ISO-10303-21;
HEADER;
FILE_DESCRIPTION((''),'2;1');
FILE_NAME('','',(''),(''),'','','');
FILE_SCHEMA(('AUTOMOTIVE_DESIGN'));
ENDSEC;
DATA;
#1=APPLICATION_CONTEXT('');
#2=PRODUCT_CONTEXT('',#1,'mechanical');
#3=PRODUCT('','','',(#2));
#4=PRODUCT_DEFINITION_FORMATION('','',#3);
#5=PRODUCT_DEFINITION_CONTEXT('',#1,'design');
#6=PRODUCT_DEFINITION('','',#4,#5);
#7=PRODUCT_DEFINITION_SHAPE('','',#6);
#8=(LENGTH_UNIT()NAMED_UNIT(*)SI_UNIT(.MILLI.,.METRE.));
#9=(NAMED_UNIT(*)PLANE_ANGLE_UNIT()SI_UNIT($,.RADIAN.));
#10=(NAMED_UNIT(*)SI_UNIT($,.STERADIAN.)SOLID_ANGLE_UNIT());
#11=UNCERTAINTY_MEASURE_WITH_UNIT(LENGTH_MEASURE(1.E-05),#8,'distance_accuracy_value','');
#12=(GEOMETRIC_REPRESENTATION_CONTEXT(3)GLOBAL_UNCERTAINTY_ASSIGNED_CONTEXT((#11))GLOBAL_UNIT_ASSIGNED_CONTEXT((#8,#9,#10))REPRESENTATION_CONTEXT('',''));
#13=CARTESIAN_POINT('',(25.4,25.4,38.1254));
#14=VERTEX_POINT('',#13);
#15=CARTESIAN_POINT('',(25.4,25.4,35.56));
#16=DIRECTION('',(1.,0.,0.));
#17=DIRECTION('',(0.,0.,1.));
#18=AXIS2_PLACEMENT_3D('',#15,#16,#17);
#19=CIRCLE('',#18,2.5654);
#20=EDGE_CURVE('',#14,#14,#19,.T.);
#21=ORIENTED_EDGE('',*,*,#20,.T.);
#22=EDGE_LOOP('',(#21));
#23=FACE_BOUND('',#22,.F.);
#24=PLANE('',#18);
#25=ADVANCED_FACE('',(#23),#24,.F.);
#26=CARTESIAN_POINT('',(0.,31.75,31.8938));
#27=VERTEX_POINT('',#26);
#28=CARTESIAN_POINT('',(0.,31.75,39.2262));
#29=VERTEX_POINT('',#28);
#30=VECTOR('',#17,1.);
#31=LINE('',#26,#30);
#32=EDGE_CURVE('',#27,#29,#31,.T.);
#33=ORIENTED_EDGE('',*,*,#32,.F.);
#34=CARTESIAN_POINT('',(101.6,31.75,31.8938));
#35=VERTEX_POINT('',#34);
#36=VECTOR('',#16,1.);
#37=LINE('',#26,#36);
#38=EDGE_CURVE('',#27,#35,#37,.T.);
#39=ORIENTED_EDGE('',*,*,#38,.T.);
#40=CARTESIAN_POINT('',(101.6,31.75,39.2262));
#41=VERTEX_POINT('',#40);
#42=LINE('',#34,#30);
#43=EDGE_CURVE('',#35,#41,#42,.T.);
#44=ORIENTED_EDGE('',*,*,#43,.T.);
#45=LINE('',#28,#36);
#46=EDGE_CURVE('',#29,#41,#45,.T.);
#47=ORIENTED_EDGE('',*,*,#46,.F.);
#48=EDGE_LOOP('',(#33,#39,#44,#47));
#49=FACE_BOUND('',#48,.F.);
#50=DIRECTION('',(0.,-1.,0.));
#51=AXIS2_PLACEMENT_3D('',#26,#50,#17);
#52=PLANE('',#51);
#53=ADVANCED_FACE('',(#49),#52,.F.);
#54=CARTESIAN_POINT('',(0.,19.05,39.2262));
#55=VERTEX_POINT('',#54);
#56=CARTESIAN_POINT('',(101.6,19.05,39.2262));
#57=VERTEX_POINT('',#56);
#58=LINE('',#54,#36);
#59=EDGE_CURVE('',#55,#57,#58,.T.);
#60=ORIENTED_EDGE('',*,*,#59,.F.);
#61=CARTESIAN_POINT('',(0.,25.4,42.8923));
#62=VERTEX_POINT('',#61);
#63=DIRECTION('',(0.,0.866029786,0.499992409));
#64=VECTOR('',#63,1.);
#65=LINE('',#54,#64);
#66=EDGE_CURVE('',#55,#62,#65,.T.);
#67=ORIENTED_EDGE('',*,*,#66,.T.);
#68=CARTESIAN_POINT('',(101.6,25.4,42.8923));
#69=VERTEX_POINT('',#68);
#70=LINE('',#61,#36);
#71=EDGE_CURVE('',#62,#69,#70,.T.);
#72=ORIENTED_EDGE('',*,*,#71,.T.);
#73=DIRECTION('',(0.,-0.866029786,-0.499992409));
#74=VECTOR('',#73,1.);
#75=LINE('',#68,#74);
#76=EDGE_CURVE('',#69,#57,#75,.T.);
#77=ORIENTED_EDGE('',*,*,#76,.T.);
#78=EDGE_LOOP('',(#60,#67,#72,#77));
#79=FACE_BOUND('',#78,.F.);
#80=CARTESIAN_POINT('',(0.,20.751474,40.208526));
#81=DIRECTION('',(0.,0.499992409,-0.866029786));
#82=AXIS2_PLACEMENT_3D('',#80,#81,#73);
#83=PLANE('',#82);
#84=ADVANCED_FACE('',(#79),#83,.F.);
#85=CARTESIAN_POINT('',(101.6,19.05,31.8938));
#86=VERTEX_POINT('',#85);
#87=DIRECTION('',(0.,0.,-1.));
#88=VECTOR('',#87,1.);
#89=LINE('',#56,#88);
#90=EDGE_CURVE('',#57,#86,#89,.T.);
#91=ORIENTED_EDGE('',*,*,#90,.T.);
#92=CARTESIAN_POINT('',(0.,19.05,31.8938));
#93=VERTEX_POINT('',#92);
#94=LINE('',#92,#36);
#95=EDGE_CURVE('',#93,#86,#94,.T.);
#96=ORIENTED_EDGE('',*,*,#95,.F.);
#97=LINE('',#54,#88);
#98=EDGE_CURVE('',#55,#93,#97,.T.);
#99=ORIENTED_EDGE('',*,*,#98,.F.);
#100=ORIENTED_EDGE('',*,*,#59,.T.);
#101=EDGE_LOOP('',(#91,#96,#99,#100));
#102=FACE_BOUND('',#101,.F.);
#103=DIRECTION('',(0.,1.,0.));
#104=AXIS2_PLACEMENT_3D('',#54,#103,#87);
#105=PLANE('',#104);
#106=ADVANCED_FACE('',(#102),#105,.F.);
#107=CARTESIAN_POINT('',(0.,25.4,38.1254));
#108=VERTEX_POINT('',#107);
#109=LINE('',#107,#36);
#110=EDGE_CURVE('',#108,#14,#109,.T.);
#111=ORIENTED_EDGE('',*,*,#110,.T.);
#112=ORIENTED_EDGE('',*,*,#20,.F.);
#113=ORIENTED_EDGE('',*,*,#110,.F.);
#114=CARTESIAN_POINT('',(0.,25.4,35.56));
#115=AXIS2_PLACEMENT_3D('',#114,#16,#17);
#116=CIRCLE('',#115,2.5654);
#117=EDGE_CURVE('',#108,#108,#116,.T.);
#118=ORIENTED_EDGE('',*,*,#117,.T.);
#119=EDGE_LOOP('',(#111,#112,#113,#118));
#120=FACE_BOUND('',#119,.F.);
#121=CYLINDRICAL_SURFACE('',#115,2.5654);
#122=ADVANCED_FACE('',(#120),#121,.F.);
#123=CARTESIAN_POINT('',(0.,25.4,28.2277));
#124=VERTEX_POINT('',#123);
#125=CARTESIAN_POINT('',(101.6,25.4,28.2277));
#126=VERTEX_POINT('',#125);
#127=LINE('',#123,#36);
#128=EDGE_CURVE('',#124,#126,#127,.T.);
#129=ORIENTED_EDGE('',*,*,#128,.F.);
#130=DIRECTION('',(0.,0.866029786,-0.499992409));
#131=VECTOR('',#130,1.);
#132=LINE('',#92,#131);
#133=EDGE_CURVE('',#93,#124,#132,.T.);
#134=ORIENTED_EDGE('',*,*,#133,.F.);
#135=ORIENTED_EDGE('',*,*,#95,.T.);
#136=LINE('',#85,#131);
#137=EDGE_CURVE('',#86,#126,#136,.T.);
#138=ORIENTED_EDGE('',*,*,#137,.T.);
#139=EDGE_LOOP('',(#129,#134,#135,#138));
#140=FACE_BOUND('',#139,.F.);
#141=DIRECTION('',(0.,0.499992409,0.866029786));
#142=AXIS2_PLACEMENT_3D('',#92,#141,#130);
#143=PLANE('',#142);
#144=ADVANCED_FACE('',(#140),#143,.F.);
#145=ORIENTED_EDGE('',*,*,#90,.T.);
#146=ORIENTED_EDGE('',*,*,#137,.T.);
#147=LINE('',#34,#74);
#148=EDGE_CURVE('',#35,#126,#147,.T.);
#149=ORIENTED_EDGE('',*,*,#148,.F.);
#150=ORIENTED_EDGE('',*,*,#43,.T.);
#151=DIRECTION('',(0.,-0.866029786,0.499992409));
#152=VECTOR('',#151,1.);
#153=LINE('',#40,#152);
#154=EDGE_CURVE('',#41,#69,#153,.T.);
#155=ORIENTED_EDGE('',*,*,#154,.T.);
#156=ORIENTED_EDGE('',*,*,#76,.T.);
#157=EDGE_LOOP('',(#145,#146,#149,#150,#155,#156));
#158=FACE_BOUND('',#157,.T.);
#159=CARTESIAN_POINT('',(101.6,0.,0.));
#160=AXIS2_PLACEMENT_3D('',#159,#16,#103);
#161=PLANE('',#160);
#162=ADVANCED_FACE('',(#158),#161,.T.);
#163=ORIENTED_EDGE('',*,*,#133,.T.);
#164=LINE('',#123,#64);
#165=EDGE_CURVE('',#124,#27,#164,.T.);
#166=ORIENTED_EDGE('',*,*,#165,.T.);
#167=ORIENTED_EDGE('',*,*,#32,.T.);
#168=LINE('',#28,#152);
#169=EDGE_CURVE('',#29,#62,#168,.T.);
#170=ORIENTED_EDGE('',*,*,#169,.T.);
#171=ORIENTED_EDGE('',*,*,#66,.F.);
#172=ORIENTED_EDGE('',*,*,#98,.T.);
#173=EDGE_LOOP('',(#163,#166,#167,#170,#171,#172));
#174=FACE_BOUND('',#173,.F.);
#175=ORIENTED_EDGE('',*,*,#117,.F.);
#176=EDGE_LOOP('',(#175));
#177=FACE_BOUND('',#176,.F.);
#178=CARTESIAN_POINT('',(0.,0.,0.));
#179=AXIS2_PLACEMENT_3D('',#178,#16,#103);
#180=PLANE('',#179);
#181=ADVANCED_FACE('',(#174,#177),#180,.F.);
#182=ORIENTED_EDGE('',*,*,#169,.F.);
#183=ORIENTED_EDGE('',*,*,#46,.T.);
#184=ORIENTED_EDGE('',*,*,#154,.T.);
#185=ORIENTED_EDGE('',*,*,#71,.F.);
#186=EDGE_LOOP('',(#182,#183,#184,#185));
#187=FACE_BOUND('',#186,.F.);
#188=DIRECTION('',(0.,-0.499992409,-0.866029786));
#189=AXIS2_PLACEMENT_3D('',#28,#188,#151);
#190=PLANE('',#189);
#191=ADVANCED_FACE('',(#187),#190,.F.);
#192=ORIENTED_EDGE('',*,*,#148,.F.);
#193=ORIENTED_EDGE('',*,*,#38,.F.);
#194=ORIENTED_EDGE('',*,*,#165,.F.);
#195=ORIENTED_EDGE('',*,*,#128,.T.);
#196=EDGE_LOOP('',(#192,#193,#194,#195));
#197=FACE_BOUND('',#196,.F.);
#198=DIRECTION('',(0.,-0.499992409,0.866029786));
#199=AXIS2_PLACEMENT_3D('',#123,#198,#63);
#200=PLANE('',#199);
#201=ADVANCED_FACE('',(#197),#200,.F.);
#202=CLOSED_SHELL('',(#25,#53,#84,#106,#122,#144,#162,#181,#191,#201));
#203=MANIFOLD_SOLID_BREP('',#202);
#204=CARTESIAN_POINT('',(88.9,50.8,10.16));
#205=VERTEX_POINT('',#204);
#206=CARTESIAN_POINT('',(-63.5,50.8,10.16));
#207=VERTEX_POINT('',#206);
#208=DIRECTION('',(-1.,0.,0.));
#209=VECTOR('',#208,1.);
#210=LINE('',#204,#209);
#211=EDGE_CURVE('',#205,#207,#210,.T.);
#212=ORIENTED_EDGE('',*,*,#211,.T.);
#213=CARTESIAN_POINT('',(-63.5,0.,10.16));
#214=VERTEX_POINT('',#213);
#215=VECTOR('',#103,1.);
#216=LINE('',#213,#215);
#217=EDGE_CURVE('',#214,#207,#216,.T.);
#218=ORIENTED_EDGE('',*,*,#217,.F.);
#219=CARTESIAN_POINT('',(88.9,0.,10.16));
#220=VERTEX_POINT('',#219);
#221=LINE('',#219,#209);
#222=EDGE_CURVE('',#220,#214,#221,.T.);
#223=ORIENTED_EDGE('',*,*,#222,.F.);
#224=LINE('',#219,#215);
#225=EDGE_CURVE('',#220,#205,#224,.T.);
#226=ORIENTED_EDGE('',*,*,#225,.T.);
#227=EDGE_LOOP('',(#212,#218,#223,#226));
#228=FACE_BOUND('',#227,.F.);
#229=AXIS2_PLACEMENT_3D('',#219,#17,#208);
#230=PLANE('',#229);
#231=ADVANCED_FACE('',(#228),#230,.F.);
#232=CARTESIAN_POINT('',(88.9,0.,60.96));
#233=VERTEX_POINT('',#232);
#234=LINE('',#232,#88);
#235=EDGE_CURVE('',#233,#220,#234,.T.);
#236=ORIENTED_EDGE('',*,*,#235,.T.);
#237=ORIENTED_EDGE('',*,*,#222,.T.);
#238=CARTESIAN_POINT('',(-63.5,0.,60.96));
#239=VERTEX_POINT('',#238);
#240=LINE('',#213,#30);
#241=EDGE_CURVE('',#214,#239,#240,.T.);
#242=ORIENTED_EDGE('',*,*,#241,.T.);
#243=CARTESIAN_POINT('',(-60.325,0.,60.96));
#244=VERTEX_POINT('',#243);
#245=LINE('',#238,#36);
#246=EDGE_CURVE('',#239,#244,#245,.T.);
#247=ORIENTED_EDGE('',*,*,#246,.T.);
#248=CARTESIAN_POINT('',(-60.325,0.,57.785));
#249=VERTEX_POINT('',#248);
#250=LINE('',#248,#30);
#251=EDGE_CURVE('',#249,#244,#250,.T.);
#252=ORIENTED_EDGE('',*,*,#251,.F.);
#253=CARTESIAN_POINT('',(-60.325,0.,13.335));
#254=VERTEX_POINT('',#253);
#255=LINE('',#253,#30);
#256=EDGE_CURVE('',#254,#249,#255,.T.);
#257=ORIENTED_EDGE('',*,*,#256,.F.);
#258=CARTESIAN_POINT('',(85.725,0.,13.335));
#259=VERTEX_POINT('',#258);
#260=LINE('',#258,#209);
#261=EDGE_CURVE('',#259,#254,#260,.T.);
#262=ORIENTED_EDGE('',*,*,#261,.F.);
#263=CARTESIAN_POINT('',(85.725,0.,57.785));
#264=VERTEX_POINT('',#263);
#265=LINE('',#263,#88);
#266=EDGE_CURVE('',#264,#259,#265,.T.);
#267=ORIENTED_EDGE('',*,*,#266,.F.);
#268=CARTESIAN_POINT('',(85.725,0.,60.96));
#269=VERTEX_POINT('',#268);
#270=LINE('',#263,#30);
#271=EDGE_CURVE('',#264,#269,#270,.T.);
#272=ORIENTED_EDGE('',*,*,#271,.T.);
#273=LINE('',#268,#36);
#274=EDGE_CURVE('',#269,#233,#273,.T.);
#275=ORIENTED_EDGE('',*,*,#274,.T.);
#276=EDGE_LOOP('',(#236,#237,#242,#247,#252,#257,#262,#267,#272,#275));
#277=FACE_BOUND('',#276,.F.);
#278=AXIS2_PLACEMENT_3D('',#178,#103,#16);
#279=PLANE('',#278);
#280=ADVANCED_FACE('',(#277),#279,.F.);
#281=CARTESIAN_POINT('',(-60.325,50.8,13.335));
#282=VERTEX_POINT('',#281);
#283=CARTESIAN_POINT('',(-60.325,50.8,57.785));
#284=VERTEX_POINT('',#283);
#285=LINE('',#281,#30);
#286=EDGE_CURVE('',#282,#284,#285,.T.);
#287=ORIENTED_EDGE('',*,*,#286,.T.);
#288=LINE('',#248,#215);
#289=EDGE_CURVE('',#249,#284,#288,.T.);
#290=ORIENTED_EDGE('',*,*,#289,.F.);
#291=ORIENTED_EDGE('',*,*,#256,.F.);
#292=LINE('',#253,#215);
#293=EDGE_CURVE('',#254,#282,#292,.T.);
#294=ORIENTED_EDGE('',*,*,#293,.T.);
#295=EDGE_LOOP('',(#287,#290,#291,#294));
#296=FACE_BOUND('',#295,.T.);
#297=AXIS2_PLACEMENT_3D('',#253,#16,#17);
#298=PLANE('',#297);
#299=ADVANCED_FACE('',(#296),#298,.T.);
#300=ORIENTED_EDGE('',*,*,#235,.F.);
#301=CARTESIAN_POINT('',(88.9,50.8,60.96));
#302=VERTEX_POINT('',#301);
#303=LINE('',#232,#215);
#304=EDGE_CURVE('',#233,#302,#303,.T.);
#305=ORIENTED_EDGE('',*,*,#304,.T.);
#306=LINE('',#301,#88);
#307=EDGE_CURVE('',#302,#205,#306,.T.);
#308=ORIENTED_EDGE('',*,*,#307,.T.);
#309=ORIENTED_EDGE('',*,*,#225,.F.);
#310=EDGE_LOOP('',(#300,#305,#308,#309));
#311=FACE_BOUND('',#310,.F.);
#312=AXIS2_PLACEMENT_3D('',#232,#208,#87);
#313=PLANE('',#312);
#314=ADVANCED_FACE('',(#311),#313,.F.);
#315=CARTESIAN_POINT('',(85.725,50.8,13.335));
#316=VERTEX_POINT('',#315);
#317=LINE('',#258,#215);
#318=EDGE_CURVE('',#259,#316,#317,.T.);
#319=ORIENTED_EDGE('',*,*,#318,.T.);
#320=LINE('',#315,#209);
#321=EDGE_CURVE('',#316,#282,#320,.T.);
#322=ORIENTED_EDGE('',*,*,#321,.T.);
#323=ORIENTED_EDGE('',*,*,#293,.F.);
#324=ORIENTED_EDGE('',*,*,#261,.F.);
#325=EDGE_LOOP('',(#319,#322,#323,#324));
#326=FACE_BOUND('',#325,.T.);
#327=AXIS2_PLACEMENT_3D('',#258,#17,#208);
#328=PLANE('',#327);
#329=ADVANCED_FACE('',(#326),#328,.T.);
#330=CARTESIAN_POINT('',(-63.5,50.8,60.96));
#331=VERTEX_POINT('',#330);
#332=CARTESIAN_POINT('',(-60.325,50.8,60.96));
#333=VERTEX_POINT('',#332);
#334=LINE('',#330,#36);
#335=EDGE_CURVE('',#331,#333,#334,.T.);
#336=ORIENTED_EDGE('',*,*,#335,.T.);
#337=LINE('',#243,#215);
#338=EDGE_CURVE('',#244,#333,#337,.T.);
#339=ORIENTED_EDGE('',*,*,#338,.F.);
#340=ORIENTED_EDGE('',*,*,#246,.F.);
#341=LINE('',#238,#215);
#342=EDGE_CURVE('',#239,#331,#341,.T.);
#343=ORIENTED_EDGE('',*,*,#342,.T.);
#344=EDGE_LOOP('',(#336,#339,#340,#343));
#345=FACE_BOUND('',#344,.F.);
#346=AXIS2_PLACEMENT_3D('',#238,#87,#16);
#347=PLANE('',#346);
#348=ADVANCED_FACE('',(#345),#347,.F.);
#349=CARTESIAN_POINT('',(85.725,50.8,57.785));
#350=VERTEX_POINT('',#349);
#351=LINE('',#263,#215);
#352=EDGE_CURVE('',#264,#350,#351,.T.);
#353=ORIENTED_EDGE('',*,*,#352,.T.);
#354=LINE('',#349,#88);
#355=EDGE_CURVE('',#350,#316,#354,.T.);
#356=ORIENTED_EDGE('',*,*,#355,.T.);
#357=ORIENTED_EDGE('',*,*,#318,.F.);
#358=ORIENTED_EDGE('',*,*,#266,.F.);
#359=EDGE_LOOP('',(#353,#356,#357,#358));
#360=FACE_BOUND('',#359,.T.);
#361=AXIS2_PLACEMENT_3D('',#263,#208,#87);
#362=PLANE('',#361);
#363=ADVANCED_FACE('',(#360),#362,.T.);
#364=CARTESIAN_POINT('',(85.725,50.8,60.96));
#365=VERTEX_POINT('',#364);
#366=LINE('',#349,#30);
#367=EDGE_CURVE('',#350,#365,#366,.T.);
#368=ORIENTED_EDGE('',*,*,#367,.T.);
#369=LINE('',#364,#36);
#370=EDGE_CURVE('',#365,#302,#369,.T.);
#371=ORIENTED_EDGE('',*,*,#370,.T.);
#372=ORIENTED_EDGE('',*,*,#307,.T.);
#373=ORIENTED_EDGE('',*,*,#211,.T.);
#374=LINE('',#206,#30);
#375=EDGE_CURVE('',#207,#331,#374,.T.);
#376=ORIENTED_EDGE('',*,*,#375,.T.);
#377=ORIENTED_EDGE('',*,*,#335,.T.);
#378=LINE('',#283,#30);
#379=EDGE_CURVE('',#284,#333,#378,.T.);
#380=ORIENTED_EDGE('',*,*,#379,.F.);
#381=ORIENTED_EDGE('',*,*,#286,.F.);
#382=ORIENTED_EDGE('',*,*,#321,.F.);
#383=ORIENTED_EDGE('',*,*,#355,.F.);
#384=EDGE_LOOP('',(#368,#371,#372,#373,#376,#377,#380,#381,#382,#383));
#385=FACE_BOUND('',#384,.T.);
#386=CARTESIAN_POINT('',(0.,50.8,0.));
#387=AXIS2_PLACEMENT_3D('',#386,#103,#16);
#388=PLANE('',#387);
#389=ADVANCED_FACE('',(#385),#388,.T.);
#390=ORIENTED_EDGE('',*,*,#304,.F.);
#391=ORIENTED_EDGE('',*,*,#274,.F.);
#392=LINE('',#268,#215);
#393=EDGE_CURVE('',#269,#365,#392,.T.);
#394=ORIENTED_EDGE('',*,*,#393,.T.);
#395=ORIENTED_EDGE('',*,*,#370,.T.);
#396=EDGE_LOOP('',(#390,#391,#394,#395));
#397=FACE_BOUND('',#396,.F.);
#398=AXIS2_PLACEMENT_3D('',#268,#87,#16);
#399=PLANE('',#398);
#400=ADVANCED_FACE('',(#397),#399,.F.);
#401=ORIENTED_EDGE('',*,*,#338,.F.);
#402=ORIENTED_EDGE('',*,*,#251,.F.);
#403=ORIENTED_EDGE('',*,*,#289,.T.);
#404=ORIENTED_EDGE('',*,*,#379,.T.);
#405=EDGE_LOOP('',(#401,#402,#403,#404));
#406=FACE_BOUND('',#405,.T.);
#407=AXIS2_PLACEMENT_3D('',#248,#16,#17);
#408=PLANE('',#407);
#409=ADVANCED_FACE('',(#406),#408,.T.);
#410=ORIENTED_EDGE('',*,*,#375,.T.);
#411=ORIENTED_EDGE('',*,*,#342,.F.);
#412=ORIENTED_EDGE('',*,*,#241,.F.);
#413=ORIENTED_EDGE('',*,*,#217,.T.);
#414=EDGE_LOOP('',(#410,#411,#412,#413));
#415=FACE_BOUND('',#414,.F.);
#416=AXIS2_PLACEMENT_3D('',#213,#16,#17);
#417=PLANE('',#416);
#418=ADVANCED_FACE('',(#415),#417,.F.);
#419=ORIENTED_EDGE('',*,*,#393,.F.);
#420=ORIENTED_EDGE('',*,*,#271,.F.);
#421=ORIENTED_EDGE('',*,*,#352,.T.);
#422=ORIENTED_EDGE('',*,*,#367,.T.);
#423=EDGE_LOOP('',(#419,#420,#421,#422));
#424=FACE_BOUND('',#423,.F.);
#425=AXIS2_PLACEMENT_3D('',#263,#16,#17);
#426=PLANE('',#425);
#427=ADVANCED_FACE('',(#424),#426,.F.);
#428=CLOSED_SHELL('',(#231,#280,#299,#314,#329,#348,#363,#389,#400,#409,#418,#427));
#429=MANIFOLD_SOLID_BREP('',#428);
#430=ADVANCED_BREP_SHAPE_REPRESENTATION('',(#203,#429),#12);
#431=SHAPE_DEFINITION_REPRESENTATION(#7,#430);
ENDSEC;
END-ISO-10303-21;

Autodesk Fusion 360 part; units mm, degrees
sketch "Sketch1" plane through (0, 0, 0) normal (0, 1, 0) x (1, 0, 0) in component "Winch Baseplate"
  line L0 (88.9, -60.96) -> (88.9, -10.16)
  line L1 (88.9, -10.16) -> (-63.5, -10.16)
  line L2 (-63.5, -10.16) -> (-63.5, -60.96)
  line L3 (85.725, -57.785) -> (85.725, -13.335)
  line L4 (85.725, -13.335) -> (-60.325, -13.335)
  line L5 (-60.325, -13.335) -> (-60.325, -57.785)
  line L6 (-60.325, -57.785) -> (-60.325, -60.96)
  line L7 (85.725, -57.785) -> (85.725, -60.96)
  line L8 (-63.5, -60.96) -> (-60.325, -60.96)
  line L9 (85.725, -60.96) -> (88.9, -60.96)
  dimension "d1" = 152.4
  dimension "d2" = 50.8
extrude "Extrude1" add sketch "Sketch1" along normal blind 50.8 makes body 1 in component "Winch Baseplate"
sketch "Sketch1 (2)" plane through (0, 0, 0) normal (1, 0, 0) x (0, 1, 0) in component "Winch Axle Extension"
  curve L0
  line L1 (50.8, 10.16) -> (0, 60.96)
  line L2 (19.05, 31.8938) -> (25.4, 28.2277)
  line L3 (25.4, 28.2277) -> (31.75, 31.8938)
  line L4 (31.75, 31.8938) -> (31.75, 39.2262)
  line L5 (31.75, 39.2262) -> (25.4, 42.8923)
  line L6 (25.4, 42.8923) -> (19.05, 39.2262)
  line L7 (19.05, 39.2262) -> (19.05, 31.8938)
  point P0 (25.4, 35.56)
  dimension "d7" = 6.35
extrude "Extrude1'" add sketch "Sketch1 (2)" along normal blind 101.6 separate body makes body 2 in component "Winch Axle Extension"
sketch "Sketch2" plane through (0, 0, 0) normal (-1, 0, 0) x (0, -1, 0) in component "Winch Axle Extension"
  line L0 (-19.05, 31.8938) -> (-19.05, 39.2262)
  line L1 (-19.05, 39.2262) -> (-25.4, 42.8923)
  line L2 (-25.4, 42.8923) -> (-31.75, 39.2262)
  line L3 (-31.75, 39.2262) -> (-31.75, 31.8938)
  line L4 (-31.75, 31.8938) -> (-25.4, 28.2277)
  line L5 (-25.4, 28.2277) -> (-19.05, 31.8938)
  line L6 (-31.75, 39.2262) -> (-19.05, 31.8938)
  circle A0 centre (-25.4, 35.56) radius 3.175
  dimension "d10" = 6.35
hole "Hole1" at (0, 25.4, 35.56) direction (1, 0, 0) diameter 5.1308 depth 25.4 tip angle 180 bodies 2 in component "Winch Axle Extension"
sketch "Sketch1 (3)" plane through (0, 0, 0) normal (1, 0, 0) x (0, 1, 0) in component "Winch Axle Connection"
component "Winch" placed x (1, 0, 0) y (0, 1, 0) z (0, 0, 1) at (0, 0, 0)
component "Winch Baseplate" placed x (1, 0, 0) y (0, 1, 0) z (0, 0, 1) at (0, 0, 0) in component "Winch"
component "Winch Axle Extension" placed x (1, 0, 0) y (0, 1, 0) z (0, 0, 1) at (0, 0, 0) in component "Winch"
component "Winch Axle Connection" placed x (1, 0, 0) y (0, 1, 0) z (0, 0, 1) at (0, 0, 0) in component "Winch Axle Extension"
